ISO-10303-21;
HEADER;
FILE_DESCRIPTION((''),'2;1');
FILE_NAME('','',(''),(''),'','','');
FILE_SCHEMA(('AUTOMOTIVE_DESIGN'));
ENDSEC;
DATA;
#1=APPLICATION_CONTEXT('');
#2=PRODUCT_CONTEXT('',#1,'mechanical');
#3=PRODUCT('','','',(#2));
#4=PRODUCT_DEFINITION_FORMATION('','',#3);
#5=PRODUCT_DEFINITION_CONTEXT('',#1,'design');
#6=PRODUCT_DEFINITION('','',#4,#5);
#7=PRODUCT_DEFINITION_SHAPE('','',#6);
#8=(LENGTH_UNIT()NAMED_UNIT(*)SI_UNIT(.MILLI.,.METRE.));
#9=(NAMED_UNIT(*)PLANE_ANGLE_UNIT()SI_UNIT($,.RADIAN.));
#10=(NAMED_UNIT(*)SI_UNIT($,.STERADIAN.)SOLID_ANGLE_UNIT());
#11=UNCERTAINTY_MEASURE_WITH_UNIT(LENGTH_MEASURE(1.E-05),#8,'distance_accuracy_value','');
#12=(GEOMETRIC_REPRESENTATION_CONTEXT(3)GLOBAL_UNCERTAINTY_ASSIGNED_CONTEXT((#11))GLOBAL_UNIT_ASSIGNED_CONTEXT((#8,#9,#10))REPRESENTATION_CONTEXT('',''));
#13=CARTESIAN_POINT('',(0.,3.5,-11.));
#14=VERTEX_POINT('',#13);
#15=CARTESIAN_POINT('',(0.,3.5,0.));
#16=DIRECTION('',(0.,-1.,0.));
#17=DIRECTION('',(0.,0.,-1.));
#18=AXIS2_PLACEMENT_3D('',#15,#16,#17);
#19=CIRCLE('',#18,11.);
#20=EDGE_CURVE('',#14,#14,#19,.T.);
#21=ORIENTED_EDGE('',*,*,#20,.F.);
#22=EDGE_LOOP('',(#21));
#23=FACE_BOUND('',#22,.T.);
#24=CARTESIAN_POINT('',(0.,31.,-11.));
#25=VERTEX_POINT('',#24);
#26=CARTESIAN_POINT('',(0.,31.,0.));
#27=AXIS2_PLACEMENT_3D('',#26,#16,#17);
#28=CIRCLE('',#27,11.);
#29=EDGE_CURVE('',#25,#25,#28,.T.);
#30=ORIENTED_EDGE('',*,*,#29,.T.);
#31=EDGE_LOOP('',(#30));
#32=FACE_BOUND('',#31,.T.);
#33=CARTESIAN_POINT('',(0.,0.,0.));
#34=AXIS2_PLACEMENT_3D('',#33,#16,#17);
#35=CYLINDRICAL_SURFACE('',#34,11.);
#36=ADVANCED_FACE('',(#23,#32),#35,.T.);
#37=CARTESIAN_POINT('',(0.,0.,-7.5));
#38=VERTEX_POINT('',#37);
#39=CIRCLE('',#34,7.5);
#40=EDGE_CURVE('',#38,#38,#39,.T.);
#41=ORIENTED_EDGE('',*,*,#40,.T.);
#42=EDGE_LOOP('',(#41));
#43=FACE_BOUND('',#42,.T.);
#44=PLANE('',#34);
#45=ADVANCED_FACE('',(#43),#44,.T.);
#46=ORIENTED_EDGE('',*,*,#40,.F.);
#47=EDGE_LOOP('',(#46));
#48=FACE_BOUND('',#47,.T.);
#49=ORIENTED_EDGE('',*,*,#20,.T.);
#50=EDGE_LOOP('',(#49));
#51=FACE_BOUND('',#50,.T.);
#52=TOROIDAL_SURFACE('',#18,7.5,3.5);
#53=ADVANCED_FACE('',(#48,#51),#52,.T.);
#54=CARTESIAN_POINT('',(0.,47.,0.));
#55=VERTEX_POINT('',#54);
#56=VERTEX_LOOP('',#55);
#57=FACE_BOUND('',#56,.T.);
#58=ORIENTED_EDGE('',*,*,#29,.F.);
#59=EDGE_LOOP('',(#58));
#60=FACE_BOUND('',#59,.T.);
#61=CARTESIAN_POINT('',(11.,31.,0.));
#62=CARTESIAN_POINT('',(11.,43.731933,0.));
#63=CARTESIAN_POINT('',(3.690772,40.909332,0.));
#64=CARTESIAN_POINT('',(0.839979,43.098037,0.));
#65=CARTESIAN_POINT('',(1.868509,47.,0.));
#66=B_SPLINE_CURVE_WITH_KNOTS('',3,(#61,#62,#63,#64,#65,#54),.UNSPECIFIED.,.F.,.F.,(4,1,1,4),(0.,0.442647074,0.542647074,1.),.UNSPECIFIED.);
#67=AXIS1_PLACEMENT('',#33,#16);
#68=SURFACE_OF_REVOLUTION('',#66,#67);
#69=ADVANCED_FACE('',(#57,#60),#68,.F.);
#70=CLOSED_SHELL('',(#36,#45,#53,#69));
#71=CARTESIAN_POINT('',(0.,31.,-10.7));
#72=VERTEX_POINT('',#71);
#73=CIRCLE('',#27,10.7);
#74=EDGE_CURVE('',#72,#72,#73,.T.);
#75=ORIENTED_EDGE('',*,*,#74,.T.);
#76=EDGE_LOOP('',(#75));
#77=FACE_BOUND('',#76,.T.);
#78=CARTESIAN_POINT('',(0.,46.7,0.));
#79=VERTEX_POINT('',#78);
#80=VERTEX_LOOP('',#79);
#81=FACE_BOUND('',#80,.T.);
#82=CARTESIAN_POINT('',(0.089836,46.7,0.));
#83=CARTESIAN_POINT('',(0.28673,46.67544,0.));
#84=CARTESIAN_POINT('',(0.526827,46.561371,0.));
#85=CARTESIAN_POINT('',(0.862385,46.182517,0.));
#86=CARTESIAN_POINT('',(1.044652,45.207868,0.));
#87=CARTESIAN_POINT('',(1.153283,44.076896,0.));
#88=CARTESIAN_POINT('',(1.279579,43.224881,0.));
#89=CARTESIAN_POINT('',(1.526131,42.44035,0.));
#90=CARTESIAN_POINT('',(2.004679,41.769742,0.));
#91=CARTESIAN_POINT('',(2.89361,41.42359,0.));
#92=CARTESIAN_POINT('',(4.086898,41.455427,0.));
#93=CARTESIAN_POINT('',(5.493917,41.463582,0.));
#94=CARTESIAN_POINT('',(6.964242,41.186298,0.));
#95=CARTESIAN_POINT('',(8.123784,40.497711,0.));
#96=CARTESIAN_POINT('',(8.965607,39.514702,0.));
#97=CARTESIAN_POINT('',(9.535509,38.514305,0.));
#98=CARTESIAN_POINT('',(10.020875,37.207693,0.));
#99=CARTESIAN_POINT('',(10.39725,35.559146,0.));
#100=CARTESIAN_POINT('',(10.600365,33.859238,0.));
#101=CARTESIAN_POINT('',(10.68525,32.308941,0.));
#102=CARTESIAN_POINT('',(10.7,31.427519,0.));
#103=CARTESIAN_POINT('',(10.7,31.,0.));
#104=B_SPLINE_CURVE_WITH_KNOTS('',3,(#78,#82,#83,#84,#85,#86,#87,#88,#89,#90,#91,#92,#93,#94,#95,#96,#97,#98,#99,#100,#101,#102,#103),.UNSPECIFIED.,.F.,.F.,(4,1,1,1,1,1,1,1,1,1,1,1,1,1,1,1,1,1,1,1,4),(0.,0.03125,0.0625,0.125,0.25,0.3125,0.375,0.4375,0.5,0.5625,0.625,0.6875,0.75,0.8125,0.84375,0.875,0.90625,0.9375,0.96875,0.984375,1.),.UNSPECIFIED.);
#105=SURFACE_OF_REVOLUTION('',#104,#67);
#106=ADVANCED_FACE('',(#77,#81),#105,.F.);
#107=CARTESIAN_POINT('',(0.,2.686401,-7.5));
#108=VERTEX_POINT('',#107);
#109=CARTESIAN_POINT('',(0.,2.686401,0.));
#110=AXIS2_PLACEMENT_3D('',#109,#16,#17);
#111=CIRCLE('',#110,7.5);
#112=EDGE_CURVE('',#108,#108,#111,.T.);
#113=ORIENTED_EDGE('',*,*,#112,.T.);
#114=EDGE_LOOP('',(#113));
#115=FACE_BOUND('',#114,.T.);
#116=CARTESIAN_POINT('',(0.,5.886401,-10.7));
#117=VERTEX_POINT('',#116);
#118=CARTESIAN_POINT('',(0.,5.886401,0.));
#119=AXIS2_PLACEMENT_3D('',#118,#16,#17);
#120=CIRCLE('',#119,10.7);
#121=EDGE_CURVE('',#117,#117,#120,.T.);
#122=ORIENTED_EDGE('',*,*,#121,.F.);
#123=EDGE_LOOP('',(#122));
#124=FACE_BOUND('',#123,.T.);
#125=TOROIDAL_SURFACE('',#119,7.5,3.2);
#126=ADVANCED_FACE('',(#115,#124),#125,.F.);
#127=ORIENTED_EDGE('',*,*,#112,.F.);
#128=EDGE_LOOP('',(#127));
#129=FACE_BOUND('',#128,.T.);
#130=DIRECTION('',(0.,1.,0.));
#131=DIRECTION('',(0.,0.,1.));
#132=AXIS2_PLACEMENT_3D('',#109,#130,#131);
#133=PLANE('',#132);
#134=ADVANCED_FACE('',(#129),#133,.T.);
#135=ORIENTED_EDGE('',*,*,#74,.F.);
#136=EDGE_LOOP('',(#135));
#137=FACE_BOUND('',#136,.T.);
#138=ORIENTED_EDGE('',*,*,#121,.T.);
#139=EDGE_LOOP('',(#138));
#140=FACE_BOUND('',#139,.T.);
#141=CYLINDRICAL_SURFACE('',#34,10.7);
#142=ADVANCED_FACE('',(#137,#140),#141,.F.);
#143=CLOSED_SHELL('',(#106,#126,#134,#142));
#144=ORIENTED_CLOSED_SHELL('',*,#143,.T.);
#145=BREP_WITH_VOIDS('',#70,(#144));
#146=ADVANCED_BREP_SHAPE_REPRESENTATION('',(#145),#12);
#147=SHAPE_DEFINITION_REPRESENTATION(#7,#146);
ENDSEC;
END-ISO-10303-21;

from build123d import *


with BuildPart() as part:
    # Sketch1 → Revolve1 (revolve)
    with BuildSketch(Plane.XY):
        with BuildLine():
            Line((0, 0), (7.5, 0))
            ThreePointArc((7.5, 0), (9.974873734, 1.025126266), (11, 3.5))
            Line((11, 3.5), (11, 31))
            add(Edge.make_bspline(
                [(0, 47), (1.868508868, 47), (0.839979319, 43.098036716), (3.690772078, 40.909332335), (11, 43.731932555), (11, 31)],
                knots=[0, 0, 0, 0, 0.457352926, 0.557352926, 1, 1, 1, 1], degree=3))
            Line((0, 47), (0, 46.7))
            add(Edge.make_bspline(
                [(0, 46.7), (0.089835783, 46.7), (0.286730482, 46.675440139), (0.526826616, 46.561370695), (0.862385089, 46.18251662), (1.044651981, 45.207868135), (1.153282995, 44.076896377), (1.27957898, 43.224881421), (1.526130511, 42.440350235), (2.004678842, 41.769741959), (2.893610253, 41.423589513), (4.086898349, 41.455426541), (5.493916716, 41.46358206), (6.96424187, 41.18629835), (8.123784424, 40.497710935), (8.965606732, 39.51470229), (9.535509298, 38.514305141), (10.020875278, 37.207692702), (10.397250109, 35.559145848), (10.600364695, 33.859238186), (10.685249745, 32.308941091), (10.7, 31.427518579), (10.7, 31)],
                knots=[0, 0, 0, 0, 0.03125, 0.0625, 0.125, 0.25, 0.3125, 0.375, 0.4375, 0.5, 0.5625, 0.625, 0.6875, 0.75, 0.8125, 0.84375, 0.875, 0.90625, 0.9375, 0.96875, 0.984375, 1, 1, 1, 1], degree=3))
            Line((10.7, 31), (10.7, 5.88640066))
            ThreePointArc((10.7, 5.88640066), (9.7627417, 3.62365896), (7.5, 2.68640066))
            Line((7.5, 2.68640066), (0, 2.68640066))
            Line((0, 2.68640066), (0, 0.3))
            Line((0, 0.3), (0, 0))
        make_face()
    revolve(axis=Axis((0, 0, 0), (0, 1, 0)))


solid = part.part
